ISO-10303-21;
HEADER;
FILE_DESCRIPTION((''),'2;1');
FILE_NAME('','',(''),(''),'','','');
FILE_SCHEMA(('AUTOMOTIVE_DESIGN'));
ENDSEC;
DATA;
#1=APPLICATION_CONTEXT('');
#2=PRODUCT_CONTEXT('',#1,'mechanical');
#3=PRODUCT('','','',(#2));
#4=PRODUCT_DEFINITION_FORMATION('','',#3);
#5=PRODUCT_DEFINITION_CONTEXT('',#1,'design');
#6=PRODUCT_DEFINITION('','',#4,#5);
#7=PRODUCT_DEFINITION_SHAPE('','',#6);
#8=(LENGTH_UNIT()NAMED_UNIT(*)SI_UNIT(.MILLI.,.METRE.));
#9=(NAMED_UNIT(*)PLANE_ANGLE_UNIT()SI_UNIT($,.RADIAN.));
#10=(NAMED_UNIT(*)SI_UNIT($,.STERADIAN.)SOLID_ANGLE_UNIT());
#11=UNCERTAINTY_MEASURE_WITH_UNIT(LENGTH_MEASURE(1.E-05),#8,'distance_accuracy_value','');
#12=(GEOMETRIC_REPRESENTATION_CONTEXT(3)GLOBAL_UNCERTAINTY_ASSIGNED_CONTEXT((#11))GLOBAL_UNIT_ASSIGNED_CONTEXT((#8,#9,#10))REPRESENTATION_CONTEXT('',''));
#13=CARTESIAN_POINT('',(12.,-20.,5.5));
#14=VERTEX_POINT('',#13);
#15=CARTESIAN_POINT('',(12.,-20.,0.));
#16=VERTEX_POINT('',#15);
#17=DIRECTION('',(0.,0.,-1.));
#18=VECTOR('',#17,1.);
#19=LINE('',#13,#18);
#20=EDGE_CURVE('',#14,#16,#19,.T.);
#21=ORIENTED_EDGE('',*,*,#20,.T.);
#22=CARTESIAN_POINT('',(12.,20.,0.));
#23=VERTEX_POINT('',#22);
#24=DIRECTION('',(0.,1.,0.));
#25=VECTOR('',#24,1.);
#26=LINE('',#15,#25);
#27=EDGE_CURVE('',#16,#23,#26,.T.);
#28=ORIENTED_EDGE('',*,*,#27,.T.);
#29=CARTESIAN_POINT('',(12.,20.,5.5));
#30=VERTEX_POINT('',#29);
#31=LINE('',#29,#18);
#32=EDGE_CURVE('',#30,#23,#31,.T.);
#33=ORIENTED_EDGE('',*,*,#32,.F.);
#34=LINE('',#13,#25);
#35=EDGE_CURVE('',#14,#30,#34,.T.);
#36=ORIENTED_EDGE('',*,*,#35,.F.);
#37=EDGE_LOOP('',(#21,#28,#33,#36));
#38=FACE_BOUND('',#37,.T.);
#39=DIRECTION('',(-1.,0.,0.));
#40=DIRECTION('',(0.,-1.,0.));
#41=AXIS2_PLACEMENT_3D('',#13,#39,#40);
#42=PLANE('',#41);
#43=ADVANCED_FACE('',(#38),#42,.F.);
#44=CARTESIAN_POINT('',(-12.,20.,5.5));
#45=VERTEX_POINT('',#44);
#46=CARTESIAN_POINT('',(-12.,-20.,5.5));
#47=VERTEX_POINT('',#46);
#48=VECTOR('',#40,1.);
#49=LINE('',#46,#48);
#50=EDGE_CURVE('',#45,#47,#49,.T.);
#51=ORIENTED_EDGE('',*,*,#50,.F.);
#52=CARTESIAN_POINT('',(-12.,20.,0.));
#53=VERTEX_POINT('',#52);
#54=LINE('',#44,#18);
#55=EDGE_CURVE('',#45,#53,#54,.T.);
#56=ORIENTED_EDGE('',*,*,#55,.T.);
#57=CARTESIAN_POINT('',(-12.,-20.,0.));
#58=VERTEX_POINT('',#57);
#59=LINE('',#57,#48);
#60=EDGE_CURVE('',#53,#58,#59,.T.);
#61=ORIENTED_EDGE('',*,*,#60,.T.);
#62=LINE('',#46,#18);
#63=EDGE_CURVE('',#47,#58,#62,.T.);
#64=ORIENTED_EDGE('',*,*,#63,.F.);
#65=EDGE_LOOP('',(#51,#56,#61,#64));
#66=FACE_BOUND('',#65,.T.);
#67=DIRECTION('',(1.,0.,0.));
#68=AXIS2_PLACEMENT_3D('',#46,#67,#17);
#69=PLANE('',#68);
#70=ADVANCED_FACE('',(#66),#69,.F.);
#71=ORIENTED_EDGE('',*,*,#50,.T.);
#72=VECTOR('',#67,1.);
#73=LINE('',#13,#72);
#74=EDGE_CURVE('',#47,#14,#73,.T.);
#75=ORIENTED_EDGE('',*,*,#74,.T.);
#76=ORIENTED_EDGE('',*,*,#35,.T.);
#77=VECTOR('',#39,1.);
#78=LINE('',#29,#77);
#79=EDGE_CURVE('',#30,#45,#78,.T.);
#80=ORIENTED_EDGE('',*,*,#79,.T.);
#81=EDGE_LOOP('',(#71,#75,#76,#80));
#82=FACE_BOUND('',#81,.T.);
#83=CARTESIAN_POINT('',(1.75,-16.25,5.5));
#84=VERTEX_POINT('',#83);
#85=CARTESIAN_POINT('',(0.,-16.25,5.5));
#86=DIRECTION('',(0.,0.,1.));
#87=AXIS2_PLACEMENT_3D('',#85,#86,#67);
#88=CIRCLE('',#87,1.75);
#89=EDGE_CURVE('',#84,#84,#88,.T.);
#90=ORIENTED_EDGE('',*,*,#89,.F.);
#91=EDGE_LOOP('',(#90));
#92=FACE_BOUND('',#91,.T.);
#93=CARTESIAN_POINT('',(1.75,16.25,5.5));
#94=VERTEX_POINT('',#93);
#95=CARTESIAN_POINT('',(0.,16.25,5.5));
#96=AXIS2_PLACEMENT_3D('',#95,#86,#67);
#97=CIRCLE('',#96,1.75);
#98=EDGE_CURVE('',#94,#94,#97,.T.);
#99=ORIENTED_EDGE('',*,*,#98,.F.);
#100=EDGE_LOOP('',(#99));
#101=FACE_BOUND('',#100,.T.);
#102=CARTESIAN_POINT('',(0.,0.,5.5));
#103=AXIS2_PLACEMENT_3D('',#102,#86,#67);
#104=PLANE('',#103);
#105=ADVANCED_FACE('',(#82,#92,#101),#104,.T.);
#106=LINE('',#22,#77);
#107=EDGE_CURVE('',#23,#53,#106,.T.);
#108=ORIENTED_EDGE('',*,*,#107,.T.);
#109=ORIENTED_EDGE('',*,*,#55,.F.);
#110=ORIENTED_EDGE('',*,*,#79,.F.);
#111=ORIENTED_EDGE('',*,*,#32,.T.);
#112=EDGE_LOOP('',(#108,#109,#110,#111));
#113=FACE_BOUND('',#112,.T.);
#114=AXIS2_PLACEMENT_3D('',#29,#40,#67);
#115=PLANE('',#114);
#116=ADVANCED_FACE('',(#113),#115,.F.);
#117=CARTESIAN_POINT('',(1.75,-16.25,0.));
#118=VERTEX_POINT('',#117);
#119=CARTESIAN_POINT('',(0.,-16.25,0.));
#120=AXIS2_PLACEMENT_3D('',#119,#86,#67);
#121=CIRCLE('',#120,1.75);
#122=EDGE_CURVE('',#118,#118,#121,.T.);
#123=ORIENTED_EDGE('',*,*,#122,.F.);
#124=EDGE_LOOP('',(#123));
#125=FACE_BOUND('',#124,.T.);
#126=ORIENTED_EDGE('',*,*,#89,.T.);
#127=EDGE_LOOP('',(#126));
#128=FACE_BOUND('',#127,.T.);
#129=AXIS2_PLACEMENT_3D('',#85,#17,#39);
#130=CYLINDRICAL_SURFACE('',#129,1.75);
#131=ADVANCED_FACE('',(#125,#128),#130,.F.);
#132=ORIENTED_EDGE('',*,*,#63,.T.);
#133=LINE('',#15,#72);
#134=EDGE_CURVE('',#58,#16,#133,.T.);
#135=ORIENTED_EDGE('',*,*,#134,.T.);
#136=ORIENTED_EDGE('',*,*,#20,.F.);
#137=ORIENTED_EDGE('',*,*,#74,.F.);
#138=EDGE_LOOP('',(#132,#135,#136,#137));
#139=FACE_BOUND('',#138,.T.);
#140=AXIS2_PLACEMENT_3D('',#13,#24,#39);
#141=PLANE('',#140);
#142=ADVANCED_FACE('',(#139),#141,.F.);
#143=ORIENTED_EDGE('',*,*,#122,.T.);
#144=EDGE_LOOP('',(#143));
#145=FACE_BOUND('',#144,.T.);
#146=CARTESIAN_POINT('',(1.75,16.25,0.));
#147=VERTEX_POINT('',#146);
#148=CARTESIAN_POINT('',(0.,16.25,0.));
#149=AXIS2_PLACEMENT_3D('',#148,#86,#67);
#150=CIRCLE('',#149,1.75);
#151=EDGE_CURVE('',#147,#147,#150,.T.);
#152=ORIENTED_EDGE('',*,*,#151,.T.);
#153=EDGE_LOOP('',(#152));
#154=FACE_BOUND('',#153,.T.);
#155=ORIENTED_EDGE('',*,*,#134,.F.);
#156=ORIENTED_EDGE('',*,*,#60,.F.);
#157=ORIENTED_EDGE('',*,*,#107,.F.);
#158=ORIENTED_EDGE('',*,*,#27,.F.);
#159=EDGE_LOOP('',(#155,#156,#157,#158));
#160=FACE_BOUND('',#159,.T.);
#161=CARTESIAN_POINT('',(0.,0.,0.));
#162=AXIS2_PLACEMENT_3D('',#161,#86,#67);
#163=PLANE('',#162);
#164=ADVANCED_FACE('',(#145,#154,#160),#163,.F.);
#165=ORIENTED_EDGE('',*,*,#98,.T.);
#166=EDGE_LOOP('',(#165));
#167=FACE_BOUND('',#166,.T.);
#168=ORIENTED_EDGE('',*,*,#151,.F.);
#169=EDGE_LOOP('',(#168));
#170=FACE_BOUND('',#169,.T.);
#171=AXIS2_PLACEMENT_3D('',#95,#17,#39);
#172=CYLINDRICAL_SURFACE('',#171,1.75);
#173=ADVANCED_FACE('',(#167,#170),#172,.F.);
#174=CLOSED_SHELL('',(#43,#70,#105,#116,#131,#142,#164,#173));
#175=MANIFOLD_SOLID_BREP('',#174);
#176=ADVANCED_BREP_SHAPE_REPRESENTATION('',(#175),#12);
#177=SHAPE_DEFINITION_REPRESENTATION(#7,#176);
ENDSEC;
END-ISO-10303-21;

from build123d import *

# Parameters (mm, degrees)
CROQUIS1_W              = 24
CROQUIS1_H              = 40
CROQUIS1_R              = 1.75
SALIENTE_EXTRUIR1_DEPTH = 5.5


with BuildPart() as part:
    # Croquis1 → Saliente-Extruir1 (new body)
    with BuildSketch(Plane.XY):
        Rectangle(CROQUIS1_W, CROQUIS1_H)
        with Locations((0, 16.25)):
            Circle(CROQUIS1_R, mode=Mode.SUBTRACT)
        with Locations((0, -16.25)):
            Circle(CROQUIS1_R, mode=Mode.SUBTRACT)
    extrude(amount=SALIENTE_EXTRUIR1_DEPTH)


solid = part.part
